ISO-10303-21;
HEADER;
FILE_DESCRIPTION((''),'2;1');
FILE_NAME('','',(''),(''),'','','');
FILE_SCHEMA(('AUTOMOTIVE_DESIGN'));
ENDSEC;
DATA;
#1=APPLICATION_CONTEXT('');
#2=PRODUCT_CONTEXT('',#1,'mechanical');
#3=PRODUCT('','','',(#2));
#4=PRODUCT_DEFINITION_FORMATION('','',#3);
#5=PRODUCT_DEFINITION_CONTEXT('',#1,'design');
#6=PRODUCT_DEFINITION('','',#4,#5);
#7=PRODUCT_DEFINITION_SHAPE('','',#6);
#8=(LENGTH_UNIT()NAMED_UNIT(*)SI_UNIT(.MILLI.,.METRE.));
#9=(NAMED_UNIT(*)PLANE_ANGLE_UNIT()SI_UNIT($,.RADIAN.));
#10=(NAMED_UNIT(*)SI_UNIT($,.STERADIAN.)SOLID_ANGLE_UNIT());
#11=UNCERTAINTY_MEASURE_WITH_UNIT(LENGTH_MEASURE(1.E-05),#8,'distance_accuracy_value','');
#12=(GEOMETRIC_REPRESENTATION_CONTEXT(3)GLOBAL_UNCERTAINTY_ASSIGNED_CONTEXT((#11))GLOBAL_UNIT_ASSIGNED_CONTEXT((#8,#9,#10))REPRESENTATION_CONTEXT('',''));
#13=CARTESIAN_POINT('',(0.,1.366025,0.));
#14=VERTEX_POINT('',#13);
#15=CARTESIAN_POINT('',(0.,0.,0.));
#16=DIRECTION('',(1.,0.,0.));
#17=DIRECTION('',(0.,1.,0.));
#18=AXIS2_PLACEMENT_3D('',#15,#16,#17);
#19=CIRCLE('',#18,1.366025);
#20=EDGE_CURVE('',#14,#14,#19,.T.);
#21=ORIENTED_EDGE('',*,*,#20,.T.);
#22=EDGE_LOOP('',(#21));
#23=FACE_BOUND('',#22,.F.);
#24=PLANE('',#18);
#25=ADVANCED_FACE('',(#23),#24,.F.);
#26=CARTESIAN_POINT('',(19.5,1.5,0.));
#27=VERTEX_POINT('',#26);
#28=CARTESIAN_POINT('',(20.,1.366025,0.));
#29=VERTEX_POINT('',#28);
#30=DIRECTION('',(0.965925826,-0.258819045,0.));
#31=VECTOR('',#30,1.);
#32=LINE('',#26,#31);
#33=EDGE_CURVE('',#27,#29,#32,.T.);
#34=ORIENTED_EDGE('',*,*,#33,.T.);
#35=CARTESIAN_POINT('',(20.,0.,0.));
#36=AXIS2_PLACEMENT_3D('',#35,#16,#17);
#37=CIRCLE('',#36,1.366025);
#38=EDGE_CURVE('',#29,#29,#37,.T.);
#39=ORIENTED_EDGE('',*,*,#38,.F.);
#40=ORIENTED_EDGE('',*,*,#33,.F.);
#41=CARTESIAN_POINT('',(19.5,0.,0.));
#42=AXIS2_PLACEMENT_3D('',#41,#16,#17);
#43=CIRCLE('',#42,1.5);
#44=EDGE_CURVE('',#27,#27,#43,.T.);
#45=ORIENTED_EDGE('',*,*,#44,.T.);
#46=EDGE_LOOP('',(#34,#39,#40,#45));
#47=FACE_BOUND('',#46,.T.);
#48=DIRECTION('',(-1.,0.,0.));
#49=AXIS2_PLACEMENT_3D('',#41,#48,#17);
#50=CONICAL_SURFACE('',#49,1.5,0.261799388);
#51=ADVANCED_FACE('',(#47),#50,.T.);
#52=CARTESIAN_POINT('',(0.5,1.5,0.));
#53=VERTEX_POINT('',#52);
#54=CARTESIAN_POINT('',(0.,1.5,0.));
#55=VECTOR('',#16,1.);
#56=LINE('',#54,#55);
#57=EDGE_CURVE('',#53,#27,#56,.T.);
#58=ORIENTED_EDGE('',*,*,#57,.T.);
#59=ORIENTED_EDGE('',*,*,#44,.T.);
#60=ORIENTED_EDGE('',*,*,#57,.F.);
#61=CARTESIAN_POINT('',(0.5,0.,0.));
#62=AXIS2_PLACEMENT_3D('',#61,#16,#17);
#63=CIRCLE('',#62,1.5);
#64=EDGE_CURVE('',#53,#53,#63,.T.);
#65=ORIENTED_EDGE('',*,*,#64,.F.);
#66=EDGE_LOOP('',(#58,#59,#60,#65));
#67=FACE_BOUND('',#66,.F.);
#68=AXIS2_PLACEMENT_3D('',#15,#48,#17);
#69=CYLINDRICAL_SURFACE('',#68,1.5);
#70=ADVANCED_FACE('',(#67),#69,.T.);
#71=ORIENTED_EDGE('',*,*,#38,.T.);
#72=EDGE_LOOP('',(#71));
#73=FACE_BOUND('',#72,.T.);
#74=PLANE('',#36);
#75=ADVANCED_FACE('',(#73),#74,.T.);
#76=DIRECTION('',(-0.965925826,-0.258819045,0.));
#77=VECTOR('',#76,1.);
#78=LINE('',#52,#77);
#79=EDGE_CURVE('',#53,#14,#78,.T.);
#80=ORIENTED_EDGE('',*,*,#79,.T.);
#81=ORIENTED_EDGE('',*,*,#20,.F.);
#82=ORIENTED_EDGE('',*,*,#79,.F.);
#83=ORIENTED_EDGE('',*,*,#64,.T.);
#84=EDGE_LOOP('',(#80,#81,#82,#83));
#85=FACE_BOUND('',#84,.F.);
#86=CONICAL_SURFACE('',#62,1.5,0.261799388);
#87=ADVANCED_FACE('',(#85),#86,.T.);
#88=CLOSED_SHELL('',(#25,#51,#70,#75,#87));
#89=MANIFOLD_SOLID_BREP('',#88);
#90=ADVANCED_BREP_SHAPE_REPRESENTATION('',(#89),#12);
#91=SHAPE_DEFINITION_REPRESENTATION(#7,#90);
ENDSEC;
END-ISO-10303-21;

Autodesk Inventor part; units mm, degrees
ref_plane "YZ Plane" through (0, 0, 0) normal (1, 0, 0) x (0, 1, 0)
ref_plane "XZ Plane" through (0, 0, 0) normal (0, 1, 0) x (-1, 0, 0)
ref_plane "XY Plane" through (0, 0, 0) normal (0, 0, 1) x (1, 0, 0)
sketch "Skizze" plane through (0, 0, 0) normal (1, 0, 0) x (0, 1, 0)
  circle A0 centre (0, 0) radius 1.5
  dimension "d1" = 3
extrude "Körper" add sketch "Skizze" along normal blind 20
chamfer "Fase1" distance 0.5 angle 15 1 edges at (0, -1.5, 0) measured on face at (13.3333, 1.4806, -0.2406)
chamfer "Fase2" distance 0.5 angle 15 1 edges at (20, -1.5, 0) measured on face at (13.5, 1.4951, -0.1207)
equation "\"d1\" = NND"
equation "\"d2\" = NLG"
equation "\"d4\" = PHH"
equation "\"d5\" = FAWI"
equation "\"d11\" = PHH"
equation "\"d8\" = PHH"
equation "\"d9\" = FAWI"
equation "\"d12\" = PHH"
equation "\"NND\" = 3"
equation "\"NLG\" = 20"
equation "\"PHH\" = 0.5"
equation "\"FAWI\" = 15deg"
equation "\"KAH\" = 0"
properties part number "ISO 2338 - 3 m6 x 20" material "Edelstahl, austenitisch"
